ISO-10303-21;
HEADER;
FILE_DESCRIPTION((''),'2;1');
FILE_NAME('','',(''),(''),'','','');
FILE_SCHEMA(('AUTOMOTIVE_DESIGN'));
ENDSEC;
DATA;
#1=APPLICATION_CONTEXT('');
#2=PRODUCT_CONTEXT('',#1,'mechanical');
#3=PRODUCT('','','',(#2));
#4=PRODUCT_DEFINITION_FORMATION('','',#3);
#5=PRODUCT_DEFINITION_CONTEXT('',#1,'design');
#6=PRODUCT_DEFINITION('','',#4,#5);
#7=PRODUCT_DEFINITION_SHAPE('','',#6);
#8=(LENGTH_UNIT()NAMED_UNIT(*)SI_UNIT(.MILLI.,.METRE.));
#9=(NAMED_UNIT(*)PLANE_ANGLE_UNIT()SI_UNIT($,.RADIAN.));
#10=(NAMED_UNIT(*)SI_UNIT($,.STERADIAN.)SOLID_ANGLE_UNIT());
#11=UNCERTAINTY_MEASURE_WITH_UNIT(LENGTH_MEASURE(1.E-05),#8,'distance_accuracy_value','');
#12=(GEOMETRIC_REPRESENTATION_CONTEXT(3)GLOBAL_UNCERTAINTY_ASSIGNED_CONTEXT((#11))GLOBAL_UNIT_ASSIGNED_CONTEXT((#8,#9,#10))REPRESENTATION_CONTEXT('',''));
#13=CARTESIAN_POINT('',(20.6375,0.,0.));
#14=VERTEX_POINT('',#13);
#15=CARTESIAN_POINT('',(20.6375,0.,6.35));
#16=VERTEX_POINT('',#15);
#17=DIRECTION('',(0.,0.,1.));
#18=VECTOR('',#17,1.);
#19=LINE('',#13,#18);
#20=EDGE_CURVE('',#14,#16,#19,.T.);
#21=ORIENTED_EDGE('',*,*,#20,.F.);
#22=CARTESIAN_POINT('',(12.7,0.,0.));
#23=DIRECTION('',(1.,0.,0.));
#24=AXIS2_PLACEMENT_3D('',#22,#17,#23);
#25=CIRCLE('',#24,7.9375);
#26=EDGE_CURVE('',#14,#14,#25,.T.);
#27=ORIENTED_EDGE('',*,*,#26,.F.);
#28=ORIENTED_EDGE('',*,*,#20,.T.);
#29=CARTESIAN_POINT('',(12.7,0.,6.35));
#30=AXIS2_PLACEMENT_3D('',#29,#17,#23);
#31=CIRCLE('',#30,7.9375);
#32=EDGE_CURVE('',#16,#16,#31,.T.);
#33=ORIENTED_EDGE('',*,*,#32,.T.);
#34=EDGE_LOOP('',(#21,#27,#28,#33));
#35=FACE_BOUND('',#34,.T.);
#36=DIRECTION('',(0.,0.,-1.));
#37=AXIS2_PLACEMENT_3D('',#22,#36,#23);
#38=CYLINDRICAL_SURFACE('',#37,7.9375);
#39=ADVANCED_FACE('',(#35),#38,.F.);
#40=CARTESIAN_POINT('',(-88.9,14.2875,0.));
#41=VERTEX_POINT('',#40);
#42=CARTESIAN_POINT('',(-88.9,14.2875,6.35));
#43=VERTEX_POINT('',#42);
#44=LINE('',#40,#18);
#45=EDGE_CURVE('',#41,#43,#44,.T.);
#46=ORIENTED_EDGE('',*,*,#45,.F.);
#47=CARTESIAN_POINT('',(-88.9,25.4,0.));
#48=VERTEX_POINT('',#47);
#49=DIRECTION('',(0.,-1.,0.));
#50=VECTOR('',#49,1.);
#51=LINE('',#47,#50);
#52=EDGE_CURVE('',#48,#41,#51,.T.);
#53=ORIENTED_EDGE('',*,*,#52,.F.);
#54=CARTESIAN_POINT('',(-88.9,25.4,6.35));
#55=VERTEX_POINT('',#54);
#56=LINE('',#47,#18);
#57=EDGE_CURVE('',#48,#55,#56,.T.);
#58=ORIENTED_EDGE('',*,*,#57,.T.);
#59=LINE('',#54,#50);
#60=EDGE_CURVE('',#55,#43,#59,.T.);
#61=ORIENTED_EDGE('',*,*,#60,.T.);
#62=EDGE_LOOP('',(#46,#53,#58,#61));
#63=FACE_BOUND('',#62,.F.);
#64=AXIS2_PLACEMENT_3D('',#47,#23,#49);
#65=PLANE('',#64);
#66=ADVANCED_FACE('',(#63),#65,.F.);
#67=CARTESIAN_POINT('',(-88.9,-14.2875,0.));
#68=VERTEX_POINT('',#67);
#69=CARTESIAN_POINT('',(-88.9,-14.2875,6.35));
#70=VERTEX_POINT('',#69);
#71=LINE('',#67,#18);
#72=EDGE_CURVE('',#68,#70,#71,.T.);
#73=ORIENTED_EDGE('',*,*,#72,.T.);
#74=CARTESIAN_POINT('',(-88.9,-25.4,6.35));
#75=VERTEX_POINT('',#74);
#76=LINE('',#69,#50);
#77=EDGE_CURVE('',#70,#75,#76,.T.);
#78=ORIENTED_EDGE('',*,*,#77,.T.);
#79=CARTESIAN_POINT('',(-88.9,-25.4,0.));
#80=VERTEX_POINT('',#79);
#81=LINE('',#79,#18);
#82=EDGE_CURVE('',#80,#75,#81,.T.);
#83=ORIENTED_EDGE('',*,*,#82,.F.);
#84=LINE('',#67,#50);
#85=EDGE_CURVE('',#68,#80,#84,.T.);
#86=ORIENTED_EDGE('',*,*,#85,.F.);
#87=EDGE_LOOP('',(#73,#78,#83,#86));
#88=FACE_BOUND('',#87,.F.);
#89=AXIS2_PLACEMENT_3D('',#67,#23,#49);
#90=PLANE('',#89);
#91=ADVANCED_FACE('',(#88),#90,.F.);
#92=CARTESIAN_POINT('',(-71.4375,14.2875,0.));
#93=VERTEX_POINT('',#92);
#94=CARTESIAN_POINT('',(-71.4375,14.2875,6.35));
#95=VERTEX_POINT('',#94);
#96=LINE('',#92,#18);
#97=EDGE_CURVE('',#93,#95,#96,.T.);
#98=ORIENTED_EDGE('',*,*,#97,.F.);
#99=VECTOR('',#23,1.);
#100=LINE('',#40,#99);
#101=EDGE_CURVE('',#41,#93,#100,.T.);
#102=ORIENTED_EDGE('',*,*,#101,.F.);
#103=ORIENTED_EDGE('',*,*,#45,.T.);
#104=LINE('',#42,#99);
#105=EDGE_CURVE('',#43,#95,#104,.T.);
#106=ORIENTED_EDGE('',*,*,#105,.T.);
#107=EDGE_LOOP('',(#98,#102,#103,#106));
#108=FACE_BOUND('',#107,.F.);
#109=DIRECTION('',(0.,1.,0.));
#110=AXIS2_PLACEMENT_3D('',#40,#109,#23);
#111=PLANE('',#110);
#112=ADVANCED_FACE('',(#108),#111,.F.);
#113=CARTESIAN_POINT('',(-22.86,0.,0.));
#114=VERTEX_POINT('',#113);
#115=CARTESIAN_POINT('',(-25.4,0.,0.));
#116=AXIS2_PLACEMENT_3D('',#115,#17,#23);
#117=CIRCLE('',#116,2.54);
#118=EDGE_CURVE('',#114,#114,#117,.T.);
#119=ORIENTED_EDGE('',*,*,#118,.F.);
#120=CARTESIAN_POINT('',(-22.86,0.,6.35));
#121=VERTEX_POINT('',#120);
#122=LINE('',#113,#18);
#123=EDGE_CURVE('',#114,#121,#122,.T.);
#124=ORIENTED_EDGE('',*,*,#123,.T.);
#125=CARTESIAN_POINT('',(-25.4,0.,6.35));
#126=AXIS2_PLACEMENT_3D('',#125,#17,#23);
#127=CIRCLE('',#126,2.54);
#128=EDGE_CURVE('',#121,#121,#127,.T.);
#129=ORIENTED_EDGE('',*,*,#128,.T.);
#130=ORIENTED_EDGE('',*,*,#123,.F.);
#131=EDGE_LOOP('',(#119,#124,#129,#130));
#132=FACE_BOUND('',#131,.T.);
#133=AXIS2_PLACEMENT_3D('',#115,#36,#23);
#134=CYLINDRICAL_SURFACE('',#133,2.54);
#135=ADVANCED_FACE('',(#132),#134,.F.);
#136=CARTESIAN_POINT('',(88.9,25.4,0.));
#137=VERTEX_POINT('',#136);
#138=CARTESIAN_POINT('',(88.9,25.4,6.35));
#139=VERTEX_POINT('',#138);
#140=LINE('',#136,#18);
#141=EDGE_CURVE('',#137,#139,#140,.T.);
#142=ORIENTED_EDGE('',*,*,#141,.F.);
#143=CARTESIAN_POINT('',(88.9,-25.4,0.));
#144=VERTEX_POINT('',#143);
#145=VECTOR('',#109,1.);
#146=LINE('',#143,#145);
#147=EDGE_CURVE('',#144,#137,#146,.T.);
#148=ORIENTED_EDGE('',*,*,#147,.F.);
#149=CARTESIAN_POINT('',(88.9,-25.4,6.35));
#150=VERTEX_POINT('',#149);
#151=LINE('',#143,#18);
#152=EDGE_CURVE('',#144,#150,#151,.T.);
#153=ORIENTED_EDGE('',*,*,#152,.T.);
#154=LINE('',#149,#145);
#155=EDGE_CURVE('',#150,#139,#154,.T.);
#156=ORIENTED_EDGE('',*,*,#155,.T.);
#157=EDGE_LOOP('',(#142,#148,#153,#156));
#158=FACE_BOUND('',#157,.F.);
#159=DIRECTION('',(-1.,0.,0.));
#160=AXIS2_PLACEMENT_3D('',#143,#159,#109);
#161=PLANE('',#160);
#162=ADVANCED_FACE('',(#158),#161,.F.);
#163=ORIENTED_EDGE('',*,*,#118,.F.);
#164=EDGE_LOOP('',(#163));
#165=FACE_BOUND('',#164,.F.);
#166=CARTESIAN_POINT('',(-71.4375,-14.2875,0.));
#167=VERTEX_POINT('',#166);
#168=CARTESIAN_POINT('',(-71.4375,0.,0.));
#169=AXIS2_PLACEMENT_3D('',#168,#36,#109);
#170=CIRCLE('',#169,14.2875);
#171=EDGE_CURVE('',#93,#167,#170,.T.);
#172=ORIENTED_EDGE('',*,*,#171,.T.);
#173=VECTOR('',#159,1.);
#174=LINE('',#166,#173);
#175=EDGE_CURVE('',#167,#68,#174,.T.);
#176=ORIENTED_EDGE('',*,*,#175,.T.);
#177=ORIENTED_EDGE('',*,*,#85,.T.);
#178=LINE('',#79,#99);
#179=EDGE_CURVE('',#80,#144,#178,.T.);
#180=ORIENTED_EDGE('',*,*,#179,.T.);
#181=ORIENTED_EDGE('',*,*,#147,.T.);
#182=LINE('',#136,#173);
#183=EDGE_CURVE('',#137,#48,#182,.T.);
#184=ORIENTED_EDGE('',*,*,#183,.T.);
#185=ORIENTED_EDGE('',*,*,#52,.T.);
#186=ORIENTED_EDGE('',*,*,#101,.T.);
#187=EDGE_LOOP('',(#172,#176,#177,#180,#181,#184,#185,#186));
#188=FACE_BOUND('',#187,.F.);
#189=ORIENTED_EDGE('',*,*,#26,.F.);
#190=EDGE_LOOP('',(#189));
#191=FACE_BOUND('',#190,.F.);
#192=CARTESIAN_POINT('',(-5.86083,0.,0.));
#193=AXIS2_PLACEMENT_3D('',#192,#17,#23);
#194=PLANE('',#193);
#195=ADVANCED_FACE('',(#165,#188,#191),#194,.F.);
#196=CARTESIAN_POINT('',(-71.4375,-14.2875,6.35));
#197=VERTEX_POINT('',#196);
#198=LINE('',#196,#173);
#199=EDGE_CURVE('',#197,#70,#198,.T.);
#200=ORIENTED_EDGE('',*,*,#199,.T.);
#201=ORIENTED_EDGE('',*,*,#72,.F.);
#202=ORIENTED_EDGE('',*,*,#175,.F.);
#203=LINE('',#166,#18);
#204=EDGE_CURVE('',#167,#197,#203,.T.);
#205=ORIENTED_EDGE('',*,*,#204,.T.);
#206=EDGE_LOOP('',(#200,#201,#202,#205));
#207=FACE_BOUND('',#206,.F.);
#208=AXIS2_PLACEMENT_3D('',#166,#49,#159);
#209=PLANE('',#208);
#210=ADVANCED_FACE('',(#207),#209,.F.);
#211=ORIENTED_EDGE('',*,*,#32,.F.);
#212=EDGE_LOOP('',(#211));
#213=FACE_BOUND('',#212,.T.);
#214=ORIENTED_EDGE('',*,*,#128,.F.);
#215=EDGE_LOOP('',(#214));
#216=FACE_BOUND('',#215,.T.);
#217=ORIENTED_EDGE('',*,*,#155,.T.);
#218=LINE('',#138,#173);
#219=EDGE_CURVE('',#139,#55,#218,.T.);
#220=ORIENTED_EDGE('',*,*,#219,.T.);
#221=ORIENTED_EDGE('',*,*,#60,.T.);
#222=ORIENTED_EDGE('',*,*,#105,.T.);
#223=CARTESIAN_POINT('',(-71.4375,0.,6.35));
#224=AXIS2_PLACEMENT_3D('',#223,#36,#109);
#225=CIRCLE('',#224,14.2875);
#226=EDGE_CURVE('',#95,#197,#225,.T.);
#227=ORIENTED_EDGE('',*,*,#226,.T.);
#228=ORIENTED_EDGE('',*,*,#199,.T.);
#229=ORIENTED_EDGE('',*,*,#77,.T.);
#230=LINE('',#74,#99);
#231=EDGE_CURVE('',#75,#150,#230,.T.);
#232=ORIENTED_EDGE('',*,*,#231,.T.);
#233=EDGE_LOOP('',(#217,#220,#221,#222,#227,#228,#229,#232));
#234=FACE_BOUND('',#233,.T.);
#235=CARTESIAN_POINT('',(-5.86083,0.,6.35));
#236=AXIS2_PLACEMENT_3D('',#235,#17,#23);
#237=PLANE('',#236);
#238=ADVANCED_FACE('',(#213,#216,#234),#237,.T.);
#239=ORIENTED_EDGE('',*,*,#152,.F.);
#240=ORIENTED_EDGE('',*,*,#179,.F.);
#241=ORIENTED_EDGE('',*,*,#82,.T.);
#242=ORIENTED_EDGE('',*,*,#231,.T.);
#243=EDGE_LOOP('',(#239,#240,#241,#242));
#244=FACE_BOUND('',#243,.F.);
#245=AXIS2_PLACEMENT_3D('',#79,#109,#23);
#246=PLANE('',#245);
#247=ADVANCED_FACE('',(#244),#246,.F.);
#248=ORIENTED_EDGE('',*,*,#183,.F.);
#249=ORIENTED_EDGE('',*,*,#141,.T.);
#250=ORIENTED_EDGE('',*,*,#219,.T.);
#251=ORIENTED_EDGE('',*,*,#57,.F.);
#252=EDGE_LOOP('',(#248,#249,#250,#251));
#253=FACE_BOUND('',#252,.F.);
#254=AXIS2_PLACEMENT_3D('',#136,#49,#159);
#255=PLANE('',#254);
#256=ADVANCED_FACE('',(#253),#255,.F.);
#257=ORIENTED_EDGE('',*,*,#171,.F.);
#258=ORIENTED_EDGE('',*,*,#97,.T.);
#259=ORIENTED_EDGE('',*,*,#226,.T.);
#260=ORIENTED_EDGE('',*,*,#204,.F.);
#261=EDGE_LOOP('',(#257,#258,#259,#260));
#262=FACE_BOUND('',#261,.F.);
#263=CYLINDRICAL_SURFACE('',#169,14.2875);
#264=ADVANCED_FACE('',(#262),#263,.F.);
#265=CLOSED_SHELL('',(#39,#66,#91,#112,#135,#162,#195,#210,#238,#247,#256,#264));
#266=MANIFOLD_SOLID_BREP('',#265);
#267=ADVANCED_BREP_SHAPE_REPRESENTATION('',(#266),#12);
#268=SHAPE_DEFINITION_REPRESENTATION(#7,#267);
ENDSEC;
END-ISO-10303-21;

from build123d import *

# Parameters (mm, degrees)
F0_R     = 2.54
F0_R_2   = 7.9375
F1_DEPTH = 6.35


with BuildPart() as f1:
    # F0 (on Top) → F1 (new body)
    with BuildSketch(Plane.XY):
        with BuildLine():
            Line((88.9, -25.4), (88.9, 25.4))
            Line((88.9, 25.4), (-88.9, 25.4))
            Line((-88.9, 25.4), (-88.9, 14.2875))
            Line((-88.9, 14.2875), (-71.4375, 14.2875))
            ThreePointArc((-71.4375, 14.2875), (-57.15, 0), (-71.4375, -14.2875))
            Line((-71.4375, -14.2875), (-88.9, -14.2875))
            Line((-88.9, -14.2875), (-88.9, -25.4))
            Line((-88.9, -25.4), (88.9, -25.4))
        make_face()
        with Locations((-25.4, 0)):
            Circle(F0_R, mode=Mode.SUBTRACT)
        with Locations((12.7, 0)):
            Circle(F0_R_2, mode=Mode.SUBTRACT)
    extrude(amount=F1_DEPTH)


solid = f1.part
